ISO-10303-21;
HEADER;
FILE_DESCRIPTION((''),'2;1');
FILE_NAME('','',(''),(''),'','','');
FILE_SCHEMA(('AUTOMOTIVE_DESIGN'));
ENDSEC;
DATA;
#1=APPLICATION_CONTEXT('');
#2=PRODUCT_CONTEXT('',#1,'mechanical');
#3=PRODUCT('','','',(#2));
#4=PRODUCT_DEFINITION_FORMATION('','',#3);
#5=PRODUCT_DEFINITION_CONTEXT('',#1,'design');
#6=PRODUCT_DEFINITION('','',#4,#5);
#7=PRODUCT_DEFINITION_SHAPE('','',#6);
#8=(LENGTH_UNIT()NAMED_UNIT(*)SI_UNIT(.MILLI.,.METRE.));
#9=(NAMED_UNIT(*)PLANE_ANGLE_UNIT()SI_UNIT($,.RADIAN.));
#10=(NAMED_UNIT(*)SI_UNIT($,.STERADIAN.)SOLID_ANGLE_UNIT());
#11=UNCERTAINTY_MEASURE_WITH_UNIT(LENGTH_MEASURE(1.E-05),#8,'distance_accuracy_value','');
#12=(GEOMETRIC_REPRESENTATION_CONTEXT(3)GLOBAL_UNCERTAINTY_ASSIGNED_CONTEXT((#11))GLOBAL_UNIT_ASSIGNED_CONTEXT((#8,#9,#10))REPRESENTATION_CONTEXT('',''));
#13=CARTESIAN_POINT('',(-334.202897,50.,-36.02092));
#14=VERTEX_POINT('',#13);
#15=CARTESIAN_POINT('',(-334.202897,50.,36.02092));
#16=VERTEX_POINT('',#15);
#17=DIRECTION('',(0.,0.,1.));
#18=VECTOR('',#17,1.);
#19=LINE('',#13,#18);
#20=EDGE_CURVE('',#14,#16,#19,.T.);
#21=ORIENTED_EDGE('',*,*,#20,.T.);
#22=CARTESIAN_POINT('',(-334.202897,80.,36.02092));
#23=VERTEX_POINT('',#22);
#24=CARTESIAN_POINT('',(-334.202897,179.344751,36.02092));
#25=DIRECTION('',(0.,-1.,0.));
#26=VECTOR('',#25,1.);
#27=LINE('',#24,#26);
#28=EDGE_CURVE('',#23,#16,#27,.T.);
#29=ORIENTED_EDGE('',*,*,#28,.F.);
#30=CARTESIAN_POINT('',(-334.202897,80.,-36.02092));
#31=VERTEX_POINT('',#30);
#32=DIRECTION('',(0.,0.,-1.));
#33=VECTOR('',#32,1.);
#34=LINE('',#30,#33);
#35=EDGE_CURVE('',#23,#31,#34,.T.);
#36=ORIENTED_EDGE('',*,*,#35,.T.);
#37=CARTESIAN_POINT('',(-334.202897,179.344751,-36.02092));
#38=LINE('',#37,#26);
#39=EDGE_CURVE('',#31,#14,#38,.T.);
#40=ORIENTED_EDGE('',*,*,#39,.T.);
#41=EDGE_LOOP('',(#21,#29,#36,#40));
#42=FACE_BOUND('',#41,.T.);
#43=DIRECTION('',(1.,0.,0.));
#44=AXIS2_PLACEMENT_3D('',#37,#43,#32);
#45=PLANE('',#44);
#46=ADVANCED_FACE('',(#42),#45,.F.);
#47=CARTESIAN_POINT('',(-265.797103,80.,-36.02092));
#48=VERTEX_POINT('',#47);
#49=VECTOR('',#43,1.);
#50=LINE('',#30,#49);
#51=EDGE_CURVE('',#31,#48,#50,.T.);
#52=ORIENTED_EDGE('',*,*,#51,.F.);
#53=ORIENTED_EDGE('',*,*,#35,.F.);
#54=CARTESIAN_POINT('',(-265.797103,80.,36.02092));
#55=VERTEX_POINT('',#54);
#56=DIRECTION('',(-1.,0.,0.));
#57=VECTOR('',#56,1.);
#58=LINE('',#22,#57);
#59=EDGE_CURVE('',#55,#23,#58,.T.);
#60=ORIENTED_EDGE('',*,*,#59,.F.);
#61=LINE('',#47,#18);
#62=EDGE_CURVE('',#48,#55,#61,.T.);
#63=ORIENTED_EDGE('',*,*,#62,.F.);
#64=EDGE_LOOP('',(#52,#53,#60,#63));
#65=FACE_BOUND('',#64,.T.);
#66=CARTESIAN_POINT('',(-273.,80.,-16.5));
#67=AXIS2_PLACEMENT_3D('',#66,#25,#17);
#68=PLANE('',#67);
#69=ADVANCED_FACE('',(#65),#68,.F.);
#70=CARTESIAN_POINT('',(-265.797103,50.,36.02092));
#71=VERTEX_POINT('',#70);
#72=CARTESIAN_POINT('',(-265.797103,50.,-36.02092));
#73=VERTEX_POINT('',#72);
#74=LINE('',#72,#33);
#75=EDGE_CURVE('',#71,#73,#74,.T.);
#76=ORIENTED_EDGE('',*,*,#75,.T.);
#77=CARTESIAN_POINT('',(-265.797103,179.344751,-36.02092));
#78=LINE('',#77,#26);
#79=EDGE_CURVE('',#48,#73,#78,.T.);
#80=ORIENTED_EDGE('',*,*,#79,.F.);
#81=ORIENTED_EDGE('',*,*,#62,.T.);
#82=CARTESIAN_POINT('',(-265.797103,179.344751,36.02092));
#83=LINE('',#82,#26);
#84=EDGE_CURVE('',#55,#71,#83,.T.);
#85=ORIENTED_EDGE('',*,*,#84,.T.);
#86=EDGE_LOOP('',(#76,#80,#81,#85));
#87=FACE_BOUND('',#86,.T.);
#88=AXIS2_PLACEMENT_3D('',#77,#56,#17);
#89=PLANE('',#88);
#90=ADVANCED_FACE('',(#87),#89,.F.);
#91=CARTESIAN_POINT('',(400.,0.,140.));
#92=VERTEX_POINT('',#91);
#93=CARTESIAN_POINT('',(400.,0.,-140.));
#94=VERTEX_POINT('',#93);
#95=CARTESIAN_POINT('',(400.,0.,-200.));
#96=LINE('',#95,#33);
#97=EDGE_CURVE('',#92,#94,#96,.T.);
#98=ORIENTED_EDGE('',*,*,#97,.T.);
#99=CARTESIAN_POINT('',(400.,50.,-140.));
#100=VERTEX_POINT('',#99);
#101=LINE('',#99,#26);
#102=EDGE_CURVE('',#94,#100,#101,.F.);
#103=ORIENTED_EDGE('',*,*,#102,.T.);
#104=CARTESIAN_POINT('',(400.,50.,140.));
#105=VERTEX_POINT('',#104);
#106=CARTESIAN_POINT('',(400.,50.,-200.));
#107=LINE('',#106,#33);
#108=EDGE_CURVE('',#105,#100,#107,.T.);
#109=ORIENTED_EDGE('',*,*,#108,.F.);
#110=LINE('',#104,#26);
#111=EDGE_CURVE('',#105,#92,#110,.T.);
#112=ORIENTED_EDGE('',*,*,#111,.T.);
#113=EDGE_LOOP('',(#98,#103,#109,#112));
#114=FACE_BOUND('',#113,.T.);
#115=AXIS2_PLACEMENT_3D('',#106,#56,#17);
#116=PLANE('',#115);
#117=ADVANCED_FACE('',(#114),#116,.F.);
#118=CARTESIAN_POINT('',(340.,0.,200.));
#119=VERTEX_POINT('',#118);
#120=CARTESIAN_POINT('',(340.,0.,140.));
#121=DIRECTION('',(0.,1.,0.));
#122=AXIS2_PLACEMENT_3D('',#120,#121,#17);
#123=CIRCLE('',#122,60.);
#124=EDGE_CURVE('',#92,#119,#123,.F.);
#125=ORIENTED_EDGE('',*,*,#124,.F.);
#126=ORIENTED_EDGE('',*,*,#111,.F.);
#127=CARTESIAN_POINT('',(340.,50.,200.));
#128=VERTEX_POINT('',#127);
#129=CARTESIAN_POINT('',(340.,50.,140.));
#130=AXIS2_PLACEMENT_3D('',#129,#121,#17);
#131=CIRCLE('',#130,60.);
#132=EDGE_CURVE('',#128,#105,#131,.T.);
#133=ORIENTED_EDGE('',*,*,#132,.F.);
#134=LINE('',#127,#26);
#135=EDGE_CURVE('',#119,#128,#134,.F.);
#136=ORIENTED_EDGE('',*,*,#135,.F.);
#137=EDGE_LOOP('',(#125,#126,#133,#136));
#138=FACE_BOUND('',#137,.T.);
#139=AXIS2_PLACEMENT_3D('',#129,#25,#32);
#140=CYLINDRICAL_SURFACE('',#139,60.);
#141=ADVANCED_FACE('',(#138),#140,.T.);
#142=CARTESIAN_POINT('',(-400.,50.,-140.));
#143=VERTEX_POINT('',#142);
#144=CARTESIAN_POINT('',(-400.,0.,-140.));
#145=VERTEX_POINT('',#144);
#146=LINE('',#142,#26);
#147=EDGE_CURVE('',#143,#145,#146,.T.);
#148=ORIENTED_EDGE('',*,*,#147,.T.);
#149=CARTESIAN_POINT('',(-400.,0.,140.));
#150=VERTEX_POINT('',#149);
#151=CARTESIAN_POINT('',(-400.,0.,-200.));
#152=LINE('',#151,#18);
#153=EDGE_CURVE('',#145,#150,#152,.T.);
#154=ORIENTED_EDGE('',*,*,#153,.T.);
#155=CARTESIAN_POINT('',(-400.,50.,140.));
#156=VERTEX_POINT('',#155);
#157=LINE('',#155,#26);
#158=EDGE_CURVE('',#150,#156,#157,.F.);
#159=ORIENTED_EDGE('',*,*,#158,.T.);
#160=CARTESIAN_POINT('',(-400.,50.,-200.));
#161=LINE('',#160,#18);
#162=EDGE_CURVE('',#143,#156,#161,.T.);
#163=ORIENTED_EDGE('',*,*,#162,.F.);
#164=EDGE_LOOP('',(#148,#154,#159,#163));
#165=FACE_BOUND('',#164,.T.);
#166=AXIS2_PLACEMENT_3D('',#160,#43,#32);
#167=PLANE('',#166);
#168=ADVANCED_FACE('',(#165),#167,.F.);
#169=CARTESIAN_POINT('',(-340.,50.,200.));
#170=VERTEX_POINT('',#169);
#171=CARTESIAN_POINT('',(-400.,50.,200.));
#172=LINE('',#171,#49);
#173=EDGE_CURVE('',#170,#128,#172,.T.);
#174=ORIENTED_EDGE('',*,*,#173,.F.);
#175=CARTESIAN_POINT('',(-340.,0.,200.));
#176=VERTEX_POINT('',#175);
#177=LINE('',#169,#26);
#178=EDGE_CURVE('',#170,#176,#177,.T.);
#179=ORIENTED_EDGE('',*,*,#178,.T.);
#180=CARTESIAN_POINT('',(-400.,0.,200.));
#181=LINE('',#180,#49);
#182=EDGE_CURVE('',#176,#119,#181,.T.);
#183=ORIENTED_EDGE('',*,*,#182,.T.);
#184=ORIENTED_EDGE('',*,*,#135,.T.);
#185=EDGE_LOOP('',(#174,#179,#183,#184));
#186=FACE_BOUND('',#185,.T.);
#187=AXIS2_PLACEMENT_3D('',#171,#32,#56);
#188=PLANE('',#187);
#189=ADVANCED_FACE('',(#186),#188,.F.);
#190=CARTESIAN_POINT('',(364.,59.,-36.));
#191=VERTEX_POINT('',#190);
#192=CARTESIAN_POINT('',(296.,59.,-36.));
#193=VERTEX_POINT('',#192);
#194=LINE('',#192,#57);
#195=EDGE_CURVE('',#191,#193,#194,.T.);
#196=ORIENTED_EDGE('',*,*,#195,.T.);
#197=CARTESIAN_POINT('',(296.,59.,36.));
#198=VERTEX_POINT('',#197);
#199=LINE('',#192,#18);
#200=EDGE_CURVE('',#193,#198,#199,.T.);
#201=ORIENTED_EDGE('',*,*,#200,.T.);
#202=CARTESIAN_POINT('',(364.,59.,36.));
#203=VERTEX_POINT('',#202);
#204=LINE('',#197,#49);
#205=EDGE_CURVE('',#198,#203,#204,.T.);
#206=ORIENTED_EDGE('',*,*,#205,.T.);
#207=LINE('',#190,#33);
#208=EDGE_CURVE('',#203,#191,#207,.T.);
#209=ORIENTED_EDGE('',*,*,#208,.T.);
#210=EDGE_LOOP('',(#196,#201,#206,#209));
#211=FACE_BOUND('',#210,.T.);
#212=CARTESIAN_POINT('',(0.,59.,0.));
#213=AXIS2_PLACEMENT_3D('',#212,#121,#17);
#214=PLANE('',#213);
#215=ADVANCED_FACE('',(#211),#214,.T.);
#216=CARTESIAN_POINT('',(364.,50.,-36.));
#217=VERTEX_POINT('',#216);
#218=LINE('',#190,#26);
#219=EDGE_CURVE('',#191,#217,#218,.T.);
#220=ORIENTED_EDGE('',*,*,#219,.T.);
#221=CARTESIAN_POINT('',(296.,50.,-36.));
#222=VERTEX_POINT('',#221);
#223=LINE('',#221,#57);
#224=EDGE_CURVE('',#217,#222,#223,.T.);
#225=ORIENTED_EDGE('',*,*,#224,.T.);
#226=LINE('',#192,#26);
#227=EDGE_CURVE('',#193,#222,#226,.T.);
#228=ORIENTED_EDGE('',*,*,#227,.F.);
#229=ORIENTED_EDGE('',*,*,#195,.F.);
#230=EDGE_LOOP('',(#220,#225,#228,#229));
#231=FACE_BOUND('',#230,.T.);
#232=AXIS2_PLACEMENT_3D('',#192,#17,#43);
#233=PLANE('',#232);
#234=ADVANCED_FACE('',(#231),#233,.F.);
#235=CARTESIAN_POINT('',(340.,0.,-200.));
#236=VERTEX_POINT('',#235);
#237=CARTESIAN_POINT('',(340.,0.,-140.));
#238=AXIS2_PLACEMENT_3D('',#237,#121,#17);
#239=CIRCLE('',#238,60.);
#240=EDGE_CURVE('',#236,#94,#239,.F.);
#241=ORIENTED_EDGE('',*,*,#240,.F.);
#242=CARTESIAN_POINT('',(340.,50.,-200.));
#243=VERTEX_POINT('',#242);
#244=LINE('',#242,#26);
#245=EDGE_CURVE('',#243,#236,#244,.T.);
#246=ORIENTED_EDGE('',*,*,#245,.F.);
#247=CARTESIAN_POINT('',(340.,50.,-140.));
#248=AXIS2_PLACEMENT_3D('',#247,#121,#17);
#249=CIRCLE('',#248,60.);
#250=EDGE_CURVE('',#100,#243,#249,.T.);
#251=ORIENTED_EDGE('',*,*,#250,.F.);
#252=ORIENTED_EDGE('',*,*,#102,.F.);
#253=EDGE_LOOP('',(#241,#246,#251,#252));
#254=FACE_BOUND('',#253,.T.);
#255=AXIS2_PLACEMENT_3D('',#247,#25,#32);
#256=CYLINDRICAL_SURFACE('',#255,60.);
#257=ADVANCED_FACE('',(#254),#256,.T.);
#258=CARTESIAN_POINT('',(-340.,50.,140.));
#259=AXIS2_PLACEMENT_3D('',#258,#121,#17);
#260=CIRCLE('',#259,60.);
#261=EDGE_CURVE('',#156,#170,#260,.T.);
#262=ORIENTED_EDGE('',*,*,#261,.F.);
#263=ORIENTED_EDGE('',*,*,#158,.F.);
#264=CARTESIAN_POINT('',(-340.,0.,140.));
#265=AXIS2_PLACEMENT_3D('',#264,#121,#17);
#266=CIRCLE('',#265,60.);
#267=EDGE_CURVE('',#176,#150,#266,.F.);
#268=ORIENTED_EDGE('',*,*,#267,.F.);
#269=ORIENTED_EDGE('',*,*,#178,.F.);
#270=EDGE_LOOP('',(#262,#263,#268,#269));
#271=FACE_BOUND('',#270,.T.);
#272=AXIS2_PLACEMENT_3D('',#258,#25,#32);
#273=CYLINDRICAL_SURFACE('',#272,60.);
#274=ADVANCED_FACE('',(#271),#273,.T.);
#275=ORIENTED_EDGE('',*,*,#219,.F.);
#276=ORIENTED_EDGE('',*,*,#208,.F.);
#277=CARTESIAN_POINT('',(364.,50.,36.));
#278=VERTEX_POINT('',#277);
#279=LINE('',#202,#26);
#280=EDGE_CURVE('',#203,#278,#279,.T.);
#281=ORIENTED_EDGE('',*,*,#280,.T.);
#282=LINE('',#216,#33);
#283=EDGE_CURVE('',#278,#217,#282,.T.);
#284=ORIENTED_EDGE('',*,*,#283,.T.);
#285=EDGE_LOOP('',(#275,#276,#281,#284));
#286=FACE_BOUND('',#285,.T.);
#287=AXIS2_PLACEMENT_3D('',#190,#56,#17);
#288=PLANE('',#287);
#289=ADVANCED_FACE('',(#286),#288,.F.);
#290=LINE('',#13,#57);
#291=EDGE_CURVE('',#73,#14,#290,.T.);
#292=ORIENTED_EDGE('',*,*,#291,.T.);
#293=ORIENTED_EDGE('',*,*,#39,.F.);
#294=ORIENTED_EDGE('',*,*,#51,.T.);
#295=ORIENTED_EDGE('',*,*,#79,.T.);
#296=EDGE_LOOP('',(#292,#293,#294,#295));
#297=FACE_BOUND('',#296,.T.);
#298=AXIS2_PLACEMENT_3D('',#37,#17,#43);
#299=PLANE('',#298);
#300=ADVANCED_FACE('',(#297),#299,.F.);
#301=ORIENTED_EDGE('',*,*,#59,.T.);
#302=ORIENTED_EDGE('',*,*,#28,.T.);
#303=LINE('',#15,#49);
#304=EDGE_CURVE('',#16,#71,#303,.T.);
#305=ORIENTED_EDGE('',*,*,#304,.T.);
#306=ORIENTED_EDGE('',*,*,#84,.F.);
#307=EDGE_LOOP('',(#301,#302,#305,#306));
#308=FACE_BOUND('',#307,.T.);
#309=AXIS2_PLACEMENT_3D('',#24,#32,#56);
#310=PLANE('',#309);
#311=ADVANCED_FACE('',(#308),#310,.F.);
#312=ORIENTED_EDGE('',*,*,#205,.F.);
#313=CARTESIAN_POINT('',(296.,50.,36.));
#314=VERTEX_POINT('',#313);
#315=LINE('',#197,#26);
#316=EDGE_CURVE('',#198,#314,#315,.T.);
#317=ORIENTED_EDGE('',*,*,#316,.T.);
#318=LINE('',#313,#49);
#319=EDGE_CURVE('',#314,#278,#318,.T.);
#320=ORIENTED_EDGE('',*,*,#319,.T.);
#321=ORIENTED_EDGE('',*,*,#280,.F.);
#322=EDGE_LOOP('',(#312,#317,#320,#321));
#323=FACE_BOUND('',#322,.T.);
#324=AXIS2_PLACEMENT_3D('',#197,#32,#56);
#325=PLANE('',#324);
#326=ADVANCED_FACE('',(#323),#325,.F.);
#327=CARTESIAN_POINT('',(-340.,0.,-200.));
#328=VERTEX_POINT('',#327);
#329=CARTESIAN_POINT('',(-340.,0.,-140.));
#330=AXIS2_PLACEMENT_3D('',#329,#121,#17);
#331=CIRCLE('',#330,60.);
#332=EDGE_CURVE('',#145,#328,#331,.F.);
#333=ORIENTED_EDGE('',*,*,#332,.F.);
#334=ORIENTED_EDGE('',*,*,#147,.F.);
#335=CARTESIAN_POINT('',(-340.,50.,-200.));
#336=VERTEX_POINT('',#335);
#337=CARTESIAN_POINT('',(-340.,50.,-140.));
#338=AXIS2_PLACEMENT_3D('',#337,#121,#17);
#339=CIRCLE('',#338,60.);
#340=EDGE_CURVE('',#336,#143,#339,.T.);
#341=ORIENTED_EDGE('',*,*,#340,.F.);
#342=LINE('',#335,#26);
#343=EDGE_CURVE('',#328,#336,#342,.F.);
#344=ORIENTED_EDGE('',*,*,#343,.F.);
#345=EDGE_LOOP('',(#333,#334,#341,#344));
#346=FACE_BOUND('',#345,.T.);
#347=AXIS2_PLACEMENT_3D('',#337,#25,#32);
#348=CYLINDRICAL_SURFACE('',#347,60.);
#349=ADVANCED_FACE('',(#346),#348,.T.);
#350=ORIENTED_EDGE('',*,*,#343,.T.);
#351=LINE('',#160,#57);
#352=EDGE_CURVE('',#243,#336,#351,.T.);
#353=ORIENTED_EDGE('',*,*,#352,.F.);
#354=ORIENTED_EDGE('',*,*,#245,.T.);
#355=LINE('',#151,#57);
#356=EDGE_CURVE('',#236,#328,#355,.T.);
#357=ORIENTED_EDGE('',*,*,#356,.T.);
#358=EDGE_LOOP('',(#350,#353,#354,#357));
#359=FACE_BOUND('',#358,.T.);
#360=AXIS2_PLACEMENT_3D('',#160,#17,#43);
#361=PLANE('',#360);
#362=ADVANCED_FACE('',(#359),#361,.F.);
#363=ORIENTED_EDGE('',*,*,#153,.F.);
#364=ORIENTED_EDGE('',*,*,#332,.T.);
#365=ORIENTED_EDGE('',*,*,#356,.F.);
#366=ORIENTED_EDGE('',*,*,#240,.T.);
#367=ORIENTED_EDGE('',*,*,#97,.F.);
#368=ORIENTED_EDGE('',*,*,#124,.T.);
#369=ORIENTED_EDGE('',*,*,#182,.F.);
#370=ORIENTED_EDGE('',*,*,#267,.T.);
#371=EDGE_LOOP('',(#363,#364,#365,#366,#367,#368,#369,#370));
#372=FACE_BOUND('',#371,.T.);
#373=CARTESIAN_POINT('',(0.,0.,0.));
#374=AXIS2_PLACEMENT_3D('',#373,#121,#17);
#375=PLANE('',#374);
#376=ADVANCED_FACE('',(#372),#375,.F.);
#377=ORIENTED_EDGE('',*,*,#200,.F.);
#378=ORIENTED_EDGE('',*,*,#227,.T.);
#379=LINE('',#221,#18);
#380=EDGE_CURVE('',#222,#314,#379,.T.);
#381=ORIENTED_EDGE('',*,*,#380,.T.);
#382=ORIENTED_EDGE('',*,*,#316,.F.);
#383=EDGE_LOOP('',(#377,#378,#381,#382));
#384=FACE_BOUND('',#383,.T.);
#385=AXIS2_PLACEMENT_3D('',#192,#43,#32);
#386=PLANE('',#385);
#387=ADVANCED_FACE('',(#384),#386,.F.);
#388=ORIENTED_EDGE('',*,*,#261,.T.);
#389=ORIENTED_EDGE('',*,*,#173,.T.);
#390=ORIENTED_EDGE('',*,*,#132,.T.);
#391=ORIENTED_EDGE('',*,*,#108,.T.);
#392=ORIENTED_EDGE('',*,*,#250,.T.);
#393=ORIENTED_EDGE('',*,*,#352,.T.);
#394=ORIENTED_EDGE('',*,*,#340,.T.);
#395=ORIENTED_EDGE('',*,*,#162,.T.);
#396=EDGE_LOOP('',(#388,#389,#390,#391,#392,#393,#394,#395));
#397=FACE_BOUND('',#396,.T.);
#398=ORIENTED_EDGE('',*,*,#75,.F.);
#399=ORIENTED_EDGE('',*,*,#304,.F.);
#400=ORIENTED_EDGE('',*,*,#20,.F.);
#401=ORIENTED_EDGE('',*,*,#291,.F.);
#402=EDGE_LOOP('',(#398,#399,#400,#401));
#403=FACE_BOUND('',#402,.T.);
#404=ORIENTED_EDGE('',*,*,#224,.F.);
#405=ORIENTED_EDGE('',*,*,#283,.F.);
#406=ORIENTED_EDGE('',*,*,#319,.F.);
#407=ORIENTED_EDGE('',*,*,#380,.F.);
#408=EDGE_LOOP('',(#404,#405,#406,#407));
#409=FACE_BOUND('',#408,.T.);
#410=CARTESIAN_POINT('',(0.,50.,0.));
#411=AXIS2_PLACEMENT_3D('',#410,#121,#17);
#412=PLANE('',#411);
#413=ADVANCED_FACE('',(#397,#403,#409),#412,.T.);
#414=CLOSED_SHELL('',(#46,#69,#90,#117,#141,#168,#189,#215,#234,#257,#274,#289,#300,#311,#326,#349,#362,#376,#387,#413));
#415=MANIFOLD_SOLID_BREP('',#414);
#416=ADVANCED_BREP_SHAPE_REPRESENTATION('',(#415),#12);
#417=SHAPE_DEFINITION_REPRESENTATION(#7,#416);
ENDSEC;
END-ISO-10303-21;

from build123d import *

# Parameters (mm, degrees)
SKETCH1_W           = 800
SKETCH1_H           = 400
BOSS_EXTRUDE1_DEPTH = 50
FILLET1_R           = 60
SKETCH3_W           = 68.405794472
SKETCH3_H           = 72.041840608
BOSS_EXTRUDE2_DEPTH = 30
SKETCH5_W           = 68
SKETCH5_H           = 72
BOSS_EXTRUDE3_DEPTH = 9


with BuildPart() as part:
    # Sketch1 → Boss-Extrude1 (new body)
    with BuildSketch(Plane(origin=(0, 0, 0), x_dir=(1, 0, 0), z_dir=(0, 1, 0))):
        Rectangle(SKETCH1_W, SKETCH1_H)
    extrude(amount=BOSS_EXTRUDE1_DEPTH)

    # Fillet1
    fillet1_edges = [part.edges().sort_by_distance(p)[0] for p in [
        (400, 25, 200),
        (-400, 25, 200),
        (-400, 25, -200),
        (400, 25, -200),
    ]]
    fillet(fillet1_edges, radius=FILLET1_R)

    # Sketch3 → Boss-Extrude2 (add)
    with BuildSketch(Plane(origin=(0, 50, 0), x_dir=(1, 0, 0), z_dir=(0, 1, 0))):
        with Locations((-300, 0)):
            Rectangle(SKETCH3_W, SKETCH3_H)
    extrude(amount=BOSS_EXTRUDE2_DEPTH)

    # Sketch5 → Boss-Extrude3 (add)
    with BuildSketch(Plane(origin=(0, 50, 0), x_dir=(1, 0, 0), z_dir=(0, 1, 0))):
        with Locations((330, 0)):
            Rectangle(SKETCH5_W, SKETCH5_H)
    extrude(amount=BOSS_EXTRUDE3_DEPTH)


solid = part.part
